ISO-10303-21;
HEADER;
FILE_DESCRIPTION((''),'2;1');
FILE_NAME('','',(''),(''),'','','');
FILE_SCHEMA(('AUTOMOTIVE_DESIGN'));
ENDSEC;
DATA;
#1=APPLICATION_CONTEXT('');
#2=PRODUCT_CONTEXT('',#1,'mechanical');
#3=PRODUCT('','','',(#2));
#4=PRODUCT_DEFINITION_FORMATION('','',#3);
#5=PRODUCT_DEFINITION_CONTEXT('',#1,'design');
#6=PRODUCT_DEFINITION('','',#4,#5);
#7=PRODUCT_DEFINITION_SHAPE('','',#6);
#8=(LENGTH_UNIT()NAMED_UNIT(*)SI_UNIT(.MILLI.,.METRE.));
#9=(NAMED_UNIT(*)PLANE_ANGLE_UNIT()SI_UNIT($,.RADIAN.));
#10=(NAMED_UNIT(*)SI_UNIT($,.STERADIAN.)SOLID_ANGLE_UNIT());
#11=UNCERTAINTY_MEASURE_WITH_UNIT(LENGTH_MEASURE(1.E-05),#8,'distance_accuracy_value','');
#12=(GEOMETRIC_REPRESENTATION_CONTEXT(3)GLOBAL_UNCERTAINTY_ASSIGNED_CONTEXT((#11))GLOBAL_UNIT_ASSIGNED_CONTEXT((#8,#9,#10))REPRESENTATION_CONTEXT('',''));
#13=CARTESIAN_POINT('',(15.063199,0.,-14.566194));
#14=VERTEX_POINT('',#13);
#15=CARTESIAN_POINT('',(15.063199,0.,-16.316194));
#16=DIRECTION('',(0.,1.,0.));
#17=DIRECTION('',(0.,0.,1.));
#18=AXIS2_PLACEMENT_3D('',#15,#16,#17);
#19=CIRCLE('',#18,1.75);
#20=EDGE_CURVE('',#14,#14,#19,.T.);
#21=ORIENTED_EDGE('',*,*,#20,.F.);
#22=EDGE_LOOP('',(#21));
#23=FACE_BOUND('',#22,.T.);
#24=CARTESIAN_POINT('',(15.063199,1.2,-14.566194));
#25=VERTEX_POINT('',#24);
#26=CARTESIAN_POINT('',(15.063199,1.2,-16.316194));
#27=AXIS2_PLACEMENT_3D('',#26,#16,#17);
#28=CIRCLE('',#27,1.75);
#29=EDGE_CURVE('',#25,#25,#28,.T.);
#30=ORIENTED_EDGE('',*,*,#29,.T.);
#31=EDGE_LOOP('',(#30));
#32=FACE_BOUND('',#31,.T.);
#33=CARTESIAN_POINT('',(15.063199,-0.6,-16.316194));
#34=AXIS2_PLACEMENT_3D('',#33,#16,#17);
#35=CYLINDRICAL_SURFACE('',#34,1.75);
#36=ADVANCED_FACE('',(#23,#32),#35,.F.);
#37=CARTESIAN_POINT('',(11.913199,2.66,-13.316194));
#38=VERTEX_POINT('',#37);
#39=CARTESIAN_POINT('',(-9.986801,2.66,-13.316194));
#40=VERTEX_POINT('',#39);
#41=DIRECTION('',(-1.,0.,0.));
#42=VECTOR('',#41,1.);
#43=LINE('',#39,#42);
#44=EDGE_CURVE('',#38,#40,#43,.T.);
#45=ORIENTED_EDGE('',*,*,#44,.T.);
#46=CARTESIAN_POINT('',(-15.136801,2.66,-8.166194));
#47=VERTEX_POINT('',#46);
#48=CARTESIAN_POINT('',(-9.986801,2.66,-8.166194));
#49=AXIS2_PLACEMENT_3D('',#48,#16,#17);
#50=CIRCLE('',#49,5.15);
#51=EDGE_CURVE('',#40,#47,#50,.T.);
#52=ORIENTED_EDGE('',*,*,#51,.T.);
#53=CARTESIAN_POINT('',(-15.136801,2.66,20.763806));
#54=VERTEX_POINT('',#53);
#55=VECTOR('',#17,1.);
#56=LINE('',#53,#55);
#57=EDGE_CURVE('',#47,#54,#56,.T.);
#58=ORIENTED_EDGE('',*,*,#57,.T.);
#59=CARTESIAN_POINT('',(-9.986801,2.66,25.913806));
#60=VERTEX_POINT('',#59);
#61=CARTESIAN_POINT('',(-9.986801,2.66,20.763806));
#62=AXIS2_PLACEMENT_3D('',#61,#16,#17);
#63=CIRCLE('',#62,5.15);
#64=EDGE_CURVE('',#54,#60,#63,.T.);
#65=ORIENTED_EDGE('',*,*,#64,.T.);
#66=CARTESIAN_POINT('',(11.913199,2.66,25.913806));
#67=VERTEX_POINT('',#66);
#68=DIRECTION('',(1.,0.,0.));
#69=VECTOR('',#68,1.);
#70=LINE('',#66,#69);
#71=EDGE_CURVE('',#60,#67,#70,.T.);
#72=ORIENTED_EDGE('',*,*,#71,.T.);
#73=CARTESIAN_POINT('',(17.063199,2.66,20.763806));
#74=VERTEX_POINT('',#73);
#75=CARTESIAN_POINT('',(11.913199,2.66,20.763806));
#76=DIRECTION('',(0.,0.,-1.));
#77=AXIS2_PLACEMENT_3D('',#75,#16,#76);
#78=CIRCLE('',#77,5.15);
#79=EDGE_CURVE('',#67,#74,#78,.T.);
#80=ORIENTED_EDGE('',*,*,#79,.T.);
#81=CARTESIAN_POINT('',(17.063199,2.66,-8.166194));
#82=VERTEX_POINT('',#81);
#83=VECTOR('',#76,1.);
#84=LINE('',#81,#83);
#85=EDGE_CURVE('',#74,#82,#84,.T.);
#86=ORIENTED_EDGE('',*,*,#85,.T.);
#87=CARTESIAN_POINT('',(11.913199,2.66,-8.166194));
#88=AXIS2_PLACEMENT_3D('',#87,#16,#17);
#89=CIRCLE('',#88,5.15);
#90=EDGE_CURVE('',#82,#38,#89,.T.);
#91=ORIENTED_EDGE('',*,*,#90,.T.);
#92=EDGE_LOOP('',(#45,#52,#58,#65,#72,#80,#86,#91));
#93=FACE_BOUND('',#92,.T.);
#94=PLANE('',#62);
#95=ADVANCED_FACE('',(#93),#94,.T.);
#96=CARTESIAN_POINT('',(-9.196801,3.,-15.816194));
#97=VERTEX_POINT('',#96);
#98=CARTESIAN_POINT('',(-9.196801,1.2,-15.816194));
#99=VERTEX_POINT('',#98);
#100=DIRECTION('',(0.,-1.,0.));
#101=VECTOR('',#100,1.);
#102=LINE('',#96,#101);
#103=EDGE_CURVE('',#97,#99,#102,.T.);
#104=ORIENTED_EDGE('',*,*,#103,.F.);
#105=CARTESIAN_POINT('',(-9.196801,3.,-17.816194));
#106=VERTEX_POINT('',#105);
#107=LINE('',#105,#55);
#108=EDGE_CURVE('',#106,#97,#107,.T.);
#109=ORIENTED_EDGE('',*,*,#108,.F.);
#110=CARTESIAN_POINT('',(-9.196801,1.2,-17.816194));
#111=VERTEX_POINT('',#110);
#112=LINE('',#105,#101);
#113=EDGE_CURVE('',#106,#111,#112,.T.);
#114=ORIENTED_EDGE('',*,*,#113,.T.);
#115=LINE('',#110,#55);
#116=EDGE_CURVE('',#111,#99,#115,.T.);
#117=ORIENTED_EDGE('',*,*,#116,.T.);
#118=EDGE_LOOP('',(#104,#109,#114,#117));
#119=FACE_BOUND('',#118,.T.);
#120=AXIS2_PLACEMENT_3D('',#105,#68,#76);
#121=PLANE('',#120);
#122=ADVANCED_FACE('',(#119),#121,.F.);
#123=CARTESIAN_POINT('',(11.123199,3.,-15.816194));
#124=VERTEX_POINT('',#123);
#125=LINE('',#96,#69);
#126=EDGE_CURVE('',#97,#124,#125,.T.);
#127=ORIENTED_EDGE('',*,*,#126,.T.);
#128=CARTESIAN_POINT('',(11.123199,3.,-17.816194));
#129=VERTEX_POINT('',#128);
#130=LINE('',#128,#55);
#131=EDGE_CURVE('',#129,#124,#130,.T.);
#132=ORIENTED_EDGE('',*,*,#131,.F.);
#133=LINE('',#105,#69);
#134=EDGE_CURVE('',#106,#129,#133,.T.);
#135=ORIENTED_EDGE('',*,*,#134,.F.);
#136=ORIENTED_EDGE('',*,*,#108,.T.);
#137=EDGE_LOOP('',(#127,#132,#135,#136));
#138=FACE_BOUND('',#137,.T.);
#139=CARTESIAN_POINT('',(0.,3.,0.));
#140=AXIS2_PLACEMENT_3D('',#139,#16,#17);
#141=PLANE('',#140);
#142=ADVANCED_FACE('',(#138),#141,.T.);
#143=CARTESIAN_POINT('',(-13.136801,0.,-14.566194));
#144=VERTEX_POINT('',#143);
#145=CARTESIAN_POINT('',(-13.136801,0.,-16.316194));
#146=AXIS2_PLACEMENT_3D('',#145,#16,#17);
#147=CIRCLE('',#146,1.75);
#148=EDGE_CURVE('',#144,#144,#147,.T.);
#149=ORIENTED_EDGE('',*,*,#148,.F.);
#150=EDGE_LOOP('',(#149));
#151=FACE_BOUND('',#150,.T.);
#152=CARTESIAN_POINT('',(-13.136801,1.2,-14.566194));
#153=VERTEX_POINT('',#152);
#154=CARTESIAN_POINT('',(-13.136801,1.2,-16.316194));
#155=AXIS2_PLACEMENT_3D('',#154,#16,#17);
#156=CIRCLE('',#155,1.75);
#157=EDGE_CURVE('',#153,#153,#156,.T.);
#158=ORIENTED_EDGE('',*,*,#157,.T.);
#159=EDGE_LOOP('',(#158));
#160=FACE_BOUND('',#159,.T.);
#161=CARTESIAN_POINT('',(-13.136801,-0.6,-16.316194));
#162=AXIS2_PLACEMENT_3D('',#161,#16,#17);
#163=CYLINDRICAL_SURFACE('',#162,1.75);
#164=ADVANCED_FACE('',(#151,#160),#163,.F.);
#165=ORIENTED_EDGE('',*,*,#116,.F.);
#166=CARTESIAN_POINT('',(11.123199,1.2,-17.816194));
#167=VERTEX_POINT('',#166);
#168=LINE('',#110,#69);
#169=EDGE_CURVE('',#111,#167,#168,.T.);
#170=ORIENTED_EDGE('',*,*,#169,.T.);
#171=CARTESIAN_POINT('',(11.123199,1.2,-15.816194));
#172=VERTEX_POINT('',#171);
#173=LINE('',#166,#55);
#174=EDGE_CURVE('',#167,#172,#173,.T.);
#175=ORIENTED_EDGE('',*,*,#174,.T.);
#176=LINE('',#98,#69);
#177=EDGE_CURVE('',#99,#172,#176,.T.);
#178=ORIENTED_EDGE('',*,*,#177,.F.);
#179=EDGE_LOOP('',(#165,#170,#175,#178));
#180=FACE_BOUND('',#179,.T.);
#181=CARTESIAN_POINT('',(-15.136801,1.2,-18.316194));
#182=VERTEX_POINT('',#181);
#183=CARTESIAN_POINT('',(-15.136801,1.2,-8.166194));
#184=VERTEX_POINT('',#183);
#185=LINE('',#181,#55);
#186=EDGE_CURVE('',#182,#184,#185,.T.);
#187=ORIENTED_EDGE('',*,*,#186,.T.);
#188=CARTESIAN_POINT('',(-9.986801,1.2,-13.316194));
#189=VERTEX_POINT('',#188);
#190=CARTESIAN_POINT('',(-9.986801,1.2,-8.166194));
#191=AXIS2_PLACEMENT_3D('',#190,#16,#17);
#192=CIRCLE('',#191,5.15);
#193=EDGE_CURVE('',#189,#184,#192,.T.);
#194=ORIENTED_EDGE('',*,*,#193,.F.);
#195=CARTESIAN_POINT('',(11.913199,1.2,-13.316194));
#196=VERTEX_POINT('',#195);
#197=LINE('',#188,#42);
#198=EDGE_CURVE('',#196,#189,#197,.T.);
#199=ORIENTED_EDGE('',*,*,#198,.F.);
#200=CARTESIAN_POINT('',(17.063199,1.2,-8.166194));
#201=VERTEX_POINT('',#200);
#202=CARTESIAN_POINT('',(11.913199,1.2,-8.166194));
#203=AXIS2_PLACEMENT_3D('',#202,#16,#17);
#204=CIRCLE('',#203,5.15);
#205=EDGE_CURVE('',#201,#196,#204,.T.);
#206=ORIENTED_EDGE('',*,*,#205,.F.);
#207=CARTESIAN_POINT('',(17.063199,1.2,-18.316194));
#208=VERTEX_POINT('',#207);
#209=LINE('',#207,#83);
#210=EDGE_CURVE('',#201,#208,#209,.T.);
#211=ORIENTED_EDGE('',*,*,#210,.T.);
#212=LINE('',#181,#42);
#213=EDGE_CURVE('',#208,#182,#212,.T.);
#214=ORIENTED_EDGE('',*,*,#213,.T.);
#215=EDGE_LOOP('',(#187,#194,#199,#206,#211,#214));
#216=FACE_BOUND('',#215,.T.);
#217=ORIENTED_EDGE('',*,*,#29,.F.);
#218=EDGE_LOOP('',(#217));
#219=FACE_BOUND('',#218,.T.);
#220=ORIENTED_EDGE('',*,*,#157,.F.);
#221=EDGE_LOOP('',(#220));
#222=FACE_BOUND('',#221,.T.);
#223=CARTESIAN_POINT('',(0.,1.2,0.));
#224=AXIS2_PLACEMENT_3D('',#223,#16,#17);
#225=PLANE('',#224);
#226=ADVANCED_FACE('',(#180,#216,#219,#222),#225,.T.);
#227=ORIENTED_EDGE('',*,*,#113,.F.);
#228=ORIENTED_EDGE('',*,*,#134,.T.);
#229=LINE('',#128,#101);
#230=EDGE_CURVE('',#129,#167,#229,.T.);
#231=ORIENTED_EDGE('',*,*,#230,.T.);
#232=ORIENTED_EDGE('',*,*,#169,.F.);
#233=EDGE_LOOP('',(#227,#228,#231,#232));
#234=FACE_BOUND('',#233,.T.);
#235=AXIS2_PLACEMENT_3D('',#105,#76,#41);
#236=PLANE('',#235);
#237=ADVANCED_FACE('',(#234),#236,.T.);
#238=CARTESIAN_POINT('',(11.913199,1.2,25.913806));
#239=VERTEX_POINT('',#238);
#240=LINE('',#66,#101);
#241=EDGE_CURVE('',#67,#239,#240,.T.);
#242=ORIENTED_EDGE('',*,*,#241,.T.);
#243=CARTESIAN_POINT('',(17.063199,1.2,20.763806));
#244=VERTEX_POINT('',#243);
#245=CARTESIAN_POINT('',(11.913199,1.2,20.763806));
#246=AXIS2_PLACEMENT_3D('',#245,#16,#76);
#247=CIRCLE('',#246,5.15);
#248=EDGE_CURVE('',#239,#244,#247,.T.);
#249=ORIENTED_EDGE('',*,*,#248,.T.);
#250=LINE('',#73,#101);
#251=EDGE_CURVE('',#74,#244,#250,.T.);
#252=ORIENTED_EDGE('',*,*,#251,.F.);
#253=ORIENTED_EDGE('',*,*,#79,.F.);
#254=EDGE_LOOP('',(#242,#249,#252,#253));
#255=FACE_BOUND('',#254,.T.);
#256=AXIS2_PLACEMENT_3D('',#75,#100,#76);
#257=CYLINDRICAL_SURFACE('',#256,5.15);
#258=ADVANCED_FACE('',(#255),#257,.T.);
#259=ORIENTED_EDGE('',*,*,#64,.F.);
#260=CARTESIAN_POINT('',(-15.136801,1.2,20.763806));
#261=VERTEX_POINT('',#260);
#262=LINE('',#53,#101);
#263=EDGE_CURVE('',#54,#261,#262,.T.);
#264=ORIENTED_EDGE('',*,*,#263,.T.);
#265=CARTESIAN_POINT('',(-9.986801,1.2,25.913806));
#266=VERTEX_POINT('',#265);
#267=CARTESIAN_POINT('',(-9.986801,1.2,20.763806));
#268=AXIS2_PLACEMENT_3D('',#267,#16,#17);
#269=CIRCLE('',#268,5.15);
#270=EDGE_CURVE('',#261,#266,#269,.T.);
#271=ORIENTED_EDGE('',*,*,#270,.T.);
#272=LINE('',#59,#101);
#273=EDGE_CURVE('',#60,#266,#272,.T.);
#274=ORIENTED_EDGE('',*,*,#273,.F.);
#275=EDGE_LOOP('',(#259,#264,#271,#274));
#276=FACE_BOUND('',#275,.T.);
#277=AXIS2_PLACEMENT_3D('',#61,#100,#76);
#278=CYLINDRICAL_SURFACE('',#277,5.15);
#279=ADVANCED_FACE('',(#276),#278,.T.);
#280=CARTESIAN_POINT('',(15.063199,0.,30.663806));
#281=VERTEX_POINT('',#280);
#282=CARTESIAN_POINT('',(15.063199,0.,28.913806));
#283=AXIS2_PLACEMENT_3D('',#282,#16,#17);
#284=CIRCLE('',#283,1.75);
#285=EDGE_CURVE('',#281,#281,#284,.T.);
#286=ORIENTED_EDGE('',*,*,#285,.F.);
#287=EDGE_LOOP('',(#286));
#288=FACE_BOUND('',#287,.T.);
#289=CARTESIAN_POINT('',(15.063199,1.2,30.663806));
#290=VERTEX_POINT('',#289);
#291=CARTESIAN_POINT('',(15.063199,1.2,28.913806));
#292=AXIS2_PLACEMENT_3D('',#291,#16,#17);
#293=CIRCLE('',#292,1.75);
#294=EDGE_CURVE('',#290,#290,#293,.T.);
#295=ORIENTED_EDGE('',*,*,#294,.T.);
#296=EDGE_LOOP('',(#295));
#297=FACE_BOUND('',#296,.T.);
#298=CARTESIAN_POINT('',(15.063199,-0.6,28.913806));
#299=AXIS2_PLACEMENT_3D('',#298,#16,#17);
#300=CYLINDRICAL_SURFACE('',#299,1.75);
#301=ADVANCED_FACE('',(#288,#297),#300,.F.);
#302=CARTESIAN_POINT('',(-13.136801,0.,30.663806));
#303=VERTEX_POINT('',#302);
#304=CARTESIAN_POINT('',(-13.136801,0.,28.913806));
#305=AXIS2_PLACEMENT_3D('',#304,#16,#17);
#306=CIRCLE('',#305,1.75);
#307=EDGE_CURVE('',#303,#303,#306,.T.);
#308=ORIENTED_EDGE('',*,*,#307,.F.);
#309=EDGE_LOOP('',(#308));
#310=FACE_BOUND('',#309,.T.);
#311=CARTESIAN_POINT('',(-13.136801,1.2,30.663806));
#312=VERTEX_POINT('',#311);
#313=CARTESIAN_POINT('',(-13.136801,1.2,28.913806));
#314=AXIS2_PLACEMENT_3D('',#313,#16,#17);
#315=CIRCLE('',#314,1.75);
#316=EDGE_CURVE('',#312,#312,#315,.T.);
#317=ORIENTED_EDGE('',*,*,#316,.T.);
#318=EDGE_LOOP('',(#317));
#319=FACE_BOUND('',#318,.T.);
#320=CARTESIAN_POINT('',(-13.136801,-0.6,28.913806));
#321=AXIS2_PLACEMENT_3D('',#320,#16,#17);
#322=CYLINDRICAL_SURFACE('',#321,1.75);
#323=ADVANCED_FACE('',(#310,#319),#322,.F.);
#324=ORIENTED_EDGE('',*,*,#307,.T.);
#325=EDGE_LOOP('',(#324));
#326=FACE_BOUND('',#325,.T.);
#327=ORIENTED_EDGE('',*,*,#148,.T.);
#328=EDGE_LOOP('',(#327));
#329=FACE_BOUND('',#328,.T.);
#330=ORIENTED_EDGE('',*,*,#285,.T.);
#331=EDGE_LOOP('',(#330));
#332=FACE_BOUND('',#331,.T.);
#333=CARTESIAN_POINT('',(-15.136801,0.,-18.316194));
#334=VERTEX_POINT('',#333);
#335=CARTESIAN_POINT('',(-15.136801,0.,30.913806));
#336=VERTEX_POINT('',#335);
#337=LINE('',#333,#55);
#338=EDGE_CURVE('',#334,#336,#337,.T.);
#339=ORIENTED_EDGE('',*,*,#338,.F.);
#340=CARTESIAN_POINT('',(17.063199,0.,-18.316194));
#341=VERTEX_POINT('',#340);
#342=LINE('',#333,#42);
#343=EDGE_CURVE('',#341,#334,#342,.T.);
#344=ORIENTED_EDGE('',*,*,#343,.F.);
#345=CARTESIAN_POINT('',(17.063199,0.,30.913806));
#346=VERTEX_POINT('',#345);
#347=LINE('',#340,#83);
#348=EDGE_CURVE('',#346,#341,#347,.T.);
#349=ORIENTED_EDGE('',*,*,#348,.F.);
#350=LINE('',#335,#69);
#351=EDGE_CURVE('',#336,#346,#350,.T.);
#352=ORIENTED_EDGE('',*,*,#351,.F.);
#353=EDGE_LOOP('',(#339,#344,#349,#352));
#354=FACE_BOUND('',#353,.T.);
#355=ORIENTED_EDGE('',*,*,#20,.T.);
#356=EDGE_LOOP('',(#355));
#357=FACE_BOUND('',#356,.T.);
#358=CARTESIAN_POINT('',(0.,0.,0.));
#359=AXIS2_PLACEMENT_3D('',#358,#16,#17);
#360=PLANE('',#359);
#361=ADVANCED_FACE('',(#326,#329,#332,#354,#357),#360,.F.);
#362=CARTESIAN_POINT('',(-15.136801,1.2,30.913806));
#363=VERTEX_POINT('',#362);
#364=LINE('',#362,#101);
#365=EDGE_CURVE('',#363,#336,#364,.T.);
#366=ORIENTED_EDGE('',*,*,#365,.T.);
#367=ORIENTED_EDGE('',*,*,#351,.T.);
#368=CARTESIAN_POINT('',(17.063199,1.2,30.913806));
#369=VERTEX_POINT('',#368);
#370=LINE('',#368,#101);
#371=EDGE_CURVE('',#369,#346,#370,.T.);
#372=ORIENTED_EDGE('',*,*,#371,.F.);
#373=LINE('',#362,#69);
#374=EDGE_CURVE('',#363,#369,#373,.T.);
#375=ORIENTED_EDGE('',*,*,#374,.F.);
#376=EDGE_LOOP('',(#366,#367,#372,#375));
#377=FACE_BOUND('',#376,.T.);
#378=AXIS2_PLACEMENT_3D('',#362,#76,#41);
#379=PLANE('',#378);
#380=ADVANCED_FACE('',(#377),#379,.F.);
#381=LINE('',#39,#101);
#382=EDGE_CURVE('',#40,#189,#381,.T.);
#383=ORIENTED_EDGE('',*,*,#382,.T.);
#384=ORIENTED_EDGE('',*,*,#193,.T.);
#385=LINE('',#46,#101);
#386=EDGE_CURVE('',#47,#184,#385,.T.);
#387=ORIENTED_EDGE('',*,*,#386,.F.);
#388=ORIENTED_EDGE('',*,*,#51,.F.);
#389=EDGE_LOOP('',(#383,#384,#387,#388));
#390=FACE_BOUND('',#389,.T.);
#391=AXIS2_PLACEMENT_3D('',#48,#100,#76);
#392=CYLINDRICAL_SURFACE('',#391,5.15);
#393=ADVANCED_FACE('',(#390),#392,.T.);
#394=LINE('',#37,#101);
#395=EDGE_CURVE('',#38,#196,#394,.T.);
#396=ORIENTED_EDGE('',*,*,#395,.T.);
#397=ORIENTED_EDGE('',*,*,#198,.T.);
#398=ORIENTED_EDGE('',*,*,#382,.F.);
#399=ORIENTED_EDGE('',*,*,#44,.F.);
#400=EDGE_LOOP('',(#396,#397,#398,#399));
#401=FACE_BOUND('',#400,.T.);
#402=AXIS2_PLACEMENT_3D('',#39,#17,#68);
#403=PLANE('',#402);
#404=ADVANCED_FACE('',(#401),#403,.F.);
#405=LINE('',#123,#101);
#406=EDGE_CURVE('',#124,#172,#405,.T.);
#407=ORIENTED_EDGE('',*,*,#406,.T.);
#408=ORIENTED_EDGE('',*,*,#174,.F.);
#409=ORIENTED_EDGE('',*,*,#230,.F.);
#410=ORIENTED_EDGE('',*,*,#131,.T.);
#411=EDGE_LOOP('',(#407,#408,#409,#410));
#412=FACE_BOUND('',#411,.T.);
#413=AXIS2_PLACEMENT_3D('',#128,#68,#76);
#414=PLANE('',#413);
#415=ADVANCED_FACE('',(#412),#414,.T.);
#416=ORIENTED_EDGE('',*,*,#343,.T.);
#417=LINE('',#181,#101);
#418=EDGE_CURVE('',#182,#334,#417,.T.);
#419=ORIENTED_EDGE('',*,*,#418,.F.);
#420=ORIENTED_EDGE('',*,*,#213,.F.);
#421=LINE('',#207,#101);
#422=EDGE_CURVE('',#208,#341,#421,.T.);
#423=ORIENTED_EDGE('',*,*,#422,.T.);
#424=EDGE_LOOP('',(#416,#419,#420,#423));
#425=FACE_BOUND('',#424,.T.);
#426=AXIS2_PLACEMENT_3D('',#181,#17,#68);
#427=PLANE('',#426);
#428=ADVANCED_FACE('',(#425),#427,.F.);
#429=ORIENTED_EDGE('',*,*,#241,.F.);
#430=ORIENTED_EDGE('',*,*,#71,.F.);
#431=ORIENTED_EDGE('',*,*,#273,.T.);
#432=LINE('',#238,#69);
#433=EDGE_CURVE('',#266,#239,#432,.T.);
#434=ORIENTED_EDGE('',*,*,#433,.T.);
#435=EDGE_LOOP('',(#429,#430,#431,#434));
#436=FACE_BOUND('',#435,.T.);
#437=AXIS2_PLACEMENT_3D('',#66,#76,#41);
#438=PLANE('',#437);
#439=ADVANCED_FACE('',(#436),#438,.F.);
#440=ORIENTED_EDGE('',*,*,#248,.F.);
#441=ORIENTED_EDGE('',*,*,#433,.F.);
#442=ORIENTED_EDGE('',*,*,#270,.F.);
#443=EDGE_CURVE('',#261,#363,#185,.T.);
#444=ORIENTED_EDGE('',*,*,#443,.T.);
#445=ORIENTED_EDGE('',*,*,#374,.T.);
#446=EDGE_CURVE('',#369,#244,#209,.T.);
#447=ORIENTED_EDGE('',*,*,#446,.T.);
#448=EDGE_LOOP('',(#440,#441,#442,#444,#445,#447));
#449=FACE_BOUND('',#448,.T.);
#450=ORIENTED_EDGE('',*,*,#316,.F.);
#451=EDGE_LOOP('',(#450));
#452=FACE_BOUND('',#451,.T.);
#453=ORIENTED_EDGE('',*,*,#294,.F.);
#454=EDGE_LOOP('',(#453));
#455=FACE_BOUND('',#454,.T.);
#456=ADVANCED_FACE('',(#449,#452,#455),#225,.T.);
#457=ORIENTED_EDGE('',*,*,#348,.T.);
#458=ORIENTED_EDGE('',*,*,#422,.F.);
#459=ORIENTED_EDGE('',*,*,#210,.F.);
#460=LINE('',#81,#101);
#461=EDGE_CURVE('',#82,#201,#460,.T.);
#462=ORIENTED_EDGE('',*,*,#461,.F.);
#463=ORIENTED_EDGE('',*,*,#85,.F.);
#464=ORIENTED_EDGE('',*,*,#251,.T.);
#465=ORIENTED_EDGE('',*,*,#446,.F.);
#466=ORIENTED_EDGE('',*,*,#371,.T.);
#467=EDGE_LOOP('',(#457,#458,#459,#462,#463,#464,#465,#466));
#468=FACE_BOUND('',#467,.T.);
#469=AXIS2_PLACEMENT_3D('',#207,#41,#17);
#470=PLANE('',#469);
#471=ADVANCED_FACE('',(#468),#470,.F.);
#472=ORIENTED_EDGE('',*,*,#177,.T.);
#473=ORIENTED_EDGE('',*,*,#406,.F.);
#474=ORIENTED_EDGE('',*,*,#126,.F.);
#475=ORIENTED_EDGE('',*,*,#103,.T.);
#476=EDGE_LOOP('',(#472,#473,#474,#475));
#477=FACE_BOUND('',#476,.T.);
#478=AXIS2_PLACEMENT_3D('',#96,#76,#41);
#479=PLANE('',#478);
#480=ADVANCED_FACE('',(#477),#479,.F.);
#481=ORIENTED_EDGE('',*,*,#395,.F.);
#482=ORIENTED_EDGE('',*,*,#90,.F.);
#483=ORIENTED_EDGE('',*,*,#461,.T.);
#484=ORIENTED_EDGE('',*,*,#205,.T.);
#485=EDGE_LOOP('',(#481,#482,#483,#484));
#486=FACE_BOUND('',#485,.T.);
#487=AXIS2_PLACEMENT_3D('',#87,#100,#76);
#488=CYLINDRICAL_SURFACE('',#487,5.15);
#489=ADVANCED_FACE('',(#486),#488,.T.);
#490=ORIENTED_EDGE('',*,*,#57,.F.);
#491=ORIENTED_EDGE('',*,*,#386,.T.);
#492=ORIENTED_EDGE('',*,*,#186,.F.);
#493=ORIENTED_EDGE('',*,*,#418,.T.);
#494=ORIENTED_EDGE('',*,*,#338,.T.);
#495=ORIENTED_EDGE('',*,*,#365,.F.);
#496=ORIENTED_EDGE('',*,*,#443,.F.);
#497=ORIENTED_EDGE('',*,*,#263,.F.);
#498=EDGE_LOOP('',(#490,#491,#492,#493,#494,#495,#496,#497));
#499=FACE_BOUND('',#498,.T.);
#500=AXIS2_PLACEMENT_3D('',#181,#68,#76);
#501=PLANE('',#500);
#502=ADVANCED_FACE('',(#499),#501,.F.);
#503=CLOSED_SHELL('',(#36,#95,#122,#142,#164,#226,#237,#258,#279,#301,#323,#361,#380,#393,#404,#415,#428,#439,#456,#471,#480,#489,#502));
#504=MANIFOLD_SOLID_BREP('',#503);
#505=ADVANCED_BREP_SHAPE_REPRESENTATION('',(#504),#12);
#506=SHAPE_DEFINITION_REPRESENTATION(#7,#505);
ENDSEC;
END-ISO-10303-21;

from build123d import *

# Parameters (mm, degrees)
SKETCH_1_W          = 32.2
SKETCH_1_H          = 49.23
EXTRUDE_1_DEPTH     = 1.2
SKETCH_2_W          = 20.32
SKETCH_2_H          = 2
EXTRUDE_2_DEPTH     = 1.8
SKETCH_2_3_R        = 1.75
CUT_EXTRUDE_1_DEPTH = 1.8
EXTRUDE_3_DEPTH     = 1.46


with BuildPart() as part:
    # 草图1 → 凸台-拉伸1 (new body)
    with BuildSketch(Plane(origin=(0, 0, 0), x_dir=(1, 0, 0), z_dir=(0, 1, 0))):
        with Locations((0.963198928, -6.298805668)):
            Rectangle(SKETCH_1_W, SKETCH_1_H)
    extrude(amount=EXTRUDE_1_DEPTH)

    # 草图2 → 凸台-拉伸2 (add)
    with BuildSketch(Plane(origin=(0, 1.2, 0), x_dir=(1, 0, 0), z_dir=(0, 1, 0))):
        with Locations((0.963198928, 16.816194332)):
            Rectangle(SKETCH_2_W, SKETCH_2_H)
    extrude(amount=EXTRUDE_2_DEPTH)

    # 草图2<3> → 切除-拉伸1 (cut)
    with BuildSketch(Plane(origin=(0, 1.2, 0), x_dir=(1, 0, 0), z_dir=(0, 1, 0))):
        with Locations((-13.136801072, 16.316194332)):
            Circle(SKETCH_2_3_R)
        with Locations((15.063198928, 16.316194332)):
            Circle(SKETCH_2_3_R)
        with Locations((-13.136801072, -28.913805668)):
            Circle(SKETCH_2_3_R)
        with Locations((15.063198928, -28.913805668)):
            Circle(SKETCH_2_3_R)
    extrude(amount=-CUT_EXTRUDE_1_DEPTH, mode=Mode.SUBTRACT)

    # 草图3 → 凸台-拉伸3 (add)
    with BuildSketch(Plane(origin=(0, 1.2, 0), x_dir=(1, 0, 0), z_dir=(0, 1, 0))):
        with BuildLine():
            Line((-9.986801072, 13.316194332), (11.913198928, 13.316194332))
            ThreePointArc((11.913198928, 13.316194332), (15.554798851, 11.807794255), (17.063198928, 8.166194332))
            Line((17.063198928, 8.166194332), (17.063198928, -20.763805668))
            ThreePointArc((17.063198928, -20.763805668), (15.554798851, -24.405405591), (11.913198928, -25.913805668))
            Line((11.913198928, -25.913805668), (-9.986801072, -25.913805668))
            ThreePointArc((-9.986801072, -25.913805668), (-13.628400995, -24.405405591), (-15.136801072, -20.763805668))
            Line((-15.136801072, -20.763805668), (-15.136801072, 8.166194332))
            ThreePointArc((-15.136801072, 8.166194332), (-13.628400995, 11.807794255), (-9.986801072, 13.316194332))
        make_face()
    extrude(amount=EXTRUDE_3_DEPTH)


solid = part.part
